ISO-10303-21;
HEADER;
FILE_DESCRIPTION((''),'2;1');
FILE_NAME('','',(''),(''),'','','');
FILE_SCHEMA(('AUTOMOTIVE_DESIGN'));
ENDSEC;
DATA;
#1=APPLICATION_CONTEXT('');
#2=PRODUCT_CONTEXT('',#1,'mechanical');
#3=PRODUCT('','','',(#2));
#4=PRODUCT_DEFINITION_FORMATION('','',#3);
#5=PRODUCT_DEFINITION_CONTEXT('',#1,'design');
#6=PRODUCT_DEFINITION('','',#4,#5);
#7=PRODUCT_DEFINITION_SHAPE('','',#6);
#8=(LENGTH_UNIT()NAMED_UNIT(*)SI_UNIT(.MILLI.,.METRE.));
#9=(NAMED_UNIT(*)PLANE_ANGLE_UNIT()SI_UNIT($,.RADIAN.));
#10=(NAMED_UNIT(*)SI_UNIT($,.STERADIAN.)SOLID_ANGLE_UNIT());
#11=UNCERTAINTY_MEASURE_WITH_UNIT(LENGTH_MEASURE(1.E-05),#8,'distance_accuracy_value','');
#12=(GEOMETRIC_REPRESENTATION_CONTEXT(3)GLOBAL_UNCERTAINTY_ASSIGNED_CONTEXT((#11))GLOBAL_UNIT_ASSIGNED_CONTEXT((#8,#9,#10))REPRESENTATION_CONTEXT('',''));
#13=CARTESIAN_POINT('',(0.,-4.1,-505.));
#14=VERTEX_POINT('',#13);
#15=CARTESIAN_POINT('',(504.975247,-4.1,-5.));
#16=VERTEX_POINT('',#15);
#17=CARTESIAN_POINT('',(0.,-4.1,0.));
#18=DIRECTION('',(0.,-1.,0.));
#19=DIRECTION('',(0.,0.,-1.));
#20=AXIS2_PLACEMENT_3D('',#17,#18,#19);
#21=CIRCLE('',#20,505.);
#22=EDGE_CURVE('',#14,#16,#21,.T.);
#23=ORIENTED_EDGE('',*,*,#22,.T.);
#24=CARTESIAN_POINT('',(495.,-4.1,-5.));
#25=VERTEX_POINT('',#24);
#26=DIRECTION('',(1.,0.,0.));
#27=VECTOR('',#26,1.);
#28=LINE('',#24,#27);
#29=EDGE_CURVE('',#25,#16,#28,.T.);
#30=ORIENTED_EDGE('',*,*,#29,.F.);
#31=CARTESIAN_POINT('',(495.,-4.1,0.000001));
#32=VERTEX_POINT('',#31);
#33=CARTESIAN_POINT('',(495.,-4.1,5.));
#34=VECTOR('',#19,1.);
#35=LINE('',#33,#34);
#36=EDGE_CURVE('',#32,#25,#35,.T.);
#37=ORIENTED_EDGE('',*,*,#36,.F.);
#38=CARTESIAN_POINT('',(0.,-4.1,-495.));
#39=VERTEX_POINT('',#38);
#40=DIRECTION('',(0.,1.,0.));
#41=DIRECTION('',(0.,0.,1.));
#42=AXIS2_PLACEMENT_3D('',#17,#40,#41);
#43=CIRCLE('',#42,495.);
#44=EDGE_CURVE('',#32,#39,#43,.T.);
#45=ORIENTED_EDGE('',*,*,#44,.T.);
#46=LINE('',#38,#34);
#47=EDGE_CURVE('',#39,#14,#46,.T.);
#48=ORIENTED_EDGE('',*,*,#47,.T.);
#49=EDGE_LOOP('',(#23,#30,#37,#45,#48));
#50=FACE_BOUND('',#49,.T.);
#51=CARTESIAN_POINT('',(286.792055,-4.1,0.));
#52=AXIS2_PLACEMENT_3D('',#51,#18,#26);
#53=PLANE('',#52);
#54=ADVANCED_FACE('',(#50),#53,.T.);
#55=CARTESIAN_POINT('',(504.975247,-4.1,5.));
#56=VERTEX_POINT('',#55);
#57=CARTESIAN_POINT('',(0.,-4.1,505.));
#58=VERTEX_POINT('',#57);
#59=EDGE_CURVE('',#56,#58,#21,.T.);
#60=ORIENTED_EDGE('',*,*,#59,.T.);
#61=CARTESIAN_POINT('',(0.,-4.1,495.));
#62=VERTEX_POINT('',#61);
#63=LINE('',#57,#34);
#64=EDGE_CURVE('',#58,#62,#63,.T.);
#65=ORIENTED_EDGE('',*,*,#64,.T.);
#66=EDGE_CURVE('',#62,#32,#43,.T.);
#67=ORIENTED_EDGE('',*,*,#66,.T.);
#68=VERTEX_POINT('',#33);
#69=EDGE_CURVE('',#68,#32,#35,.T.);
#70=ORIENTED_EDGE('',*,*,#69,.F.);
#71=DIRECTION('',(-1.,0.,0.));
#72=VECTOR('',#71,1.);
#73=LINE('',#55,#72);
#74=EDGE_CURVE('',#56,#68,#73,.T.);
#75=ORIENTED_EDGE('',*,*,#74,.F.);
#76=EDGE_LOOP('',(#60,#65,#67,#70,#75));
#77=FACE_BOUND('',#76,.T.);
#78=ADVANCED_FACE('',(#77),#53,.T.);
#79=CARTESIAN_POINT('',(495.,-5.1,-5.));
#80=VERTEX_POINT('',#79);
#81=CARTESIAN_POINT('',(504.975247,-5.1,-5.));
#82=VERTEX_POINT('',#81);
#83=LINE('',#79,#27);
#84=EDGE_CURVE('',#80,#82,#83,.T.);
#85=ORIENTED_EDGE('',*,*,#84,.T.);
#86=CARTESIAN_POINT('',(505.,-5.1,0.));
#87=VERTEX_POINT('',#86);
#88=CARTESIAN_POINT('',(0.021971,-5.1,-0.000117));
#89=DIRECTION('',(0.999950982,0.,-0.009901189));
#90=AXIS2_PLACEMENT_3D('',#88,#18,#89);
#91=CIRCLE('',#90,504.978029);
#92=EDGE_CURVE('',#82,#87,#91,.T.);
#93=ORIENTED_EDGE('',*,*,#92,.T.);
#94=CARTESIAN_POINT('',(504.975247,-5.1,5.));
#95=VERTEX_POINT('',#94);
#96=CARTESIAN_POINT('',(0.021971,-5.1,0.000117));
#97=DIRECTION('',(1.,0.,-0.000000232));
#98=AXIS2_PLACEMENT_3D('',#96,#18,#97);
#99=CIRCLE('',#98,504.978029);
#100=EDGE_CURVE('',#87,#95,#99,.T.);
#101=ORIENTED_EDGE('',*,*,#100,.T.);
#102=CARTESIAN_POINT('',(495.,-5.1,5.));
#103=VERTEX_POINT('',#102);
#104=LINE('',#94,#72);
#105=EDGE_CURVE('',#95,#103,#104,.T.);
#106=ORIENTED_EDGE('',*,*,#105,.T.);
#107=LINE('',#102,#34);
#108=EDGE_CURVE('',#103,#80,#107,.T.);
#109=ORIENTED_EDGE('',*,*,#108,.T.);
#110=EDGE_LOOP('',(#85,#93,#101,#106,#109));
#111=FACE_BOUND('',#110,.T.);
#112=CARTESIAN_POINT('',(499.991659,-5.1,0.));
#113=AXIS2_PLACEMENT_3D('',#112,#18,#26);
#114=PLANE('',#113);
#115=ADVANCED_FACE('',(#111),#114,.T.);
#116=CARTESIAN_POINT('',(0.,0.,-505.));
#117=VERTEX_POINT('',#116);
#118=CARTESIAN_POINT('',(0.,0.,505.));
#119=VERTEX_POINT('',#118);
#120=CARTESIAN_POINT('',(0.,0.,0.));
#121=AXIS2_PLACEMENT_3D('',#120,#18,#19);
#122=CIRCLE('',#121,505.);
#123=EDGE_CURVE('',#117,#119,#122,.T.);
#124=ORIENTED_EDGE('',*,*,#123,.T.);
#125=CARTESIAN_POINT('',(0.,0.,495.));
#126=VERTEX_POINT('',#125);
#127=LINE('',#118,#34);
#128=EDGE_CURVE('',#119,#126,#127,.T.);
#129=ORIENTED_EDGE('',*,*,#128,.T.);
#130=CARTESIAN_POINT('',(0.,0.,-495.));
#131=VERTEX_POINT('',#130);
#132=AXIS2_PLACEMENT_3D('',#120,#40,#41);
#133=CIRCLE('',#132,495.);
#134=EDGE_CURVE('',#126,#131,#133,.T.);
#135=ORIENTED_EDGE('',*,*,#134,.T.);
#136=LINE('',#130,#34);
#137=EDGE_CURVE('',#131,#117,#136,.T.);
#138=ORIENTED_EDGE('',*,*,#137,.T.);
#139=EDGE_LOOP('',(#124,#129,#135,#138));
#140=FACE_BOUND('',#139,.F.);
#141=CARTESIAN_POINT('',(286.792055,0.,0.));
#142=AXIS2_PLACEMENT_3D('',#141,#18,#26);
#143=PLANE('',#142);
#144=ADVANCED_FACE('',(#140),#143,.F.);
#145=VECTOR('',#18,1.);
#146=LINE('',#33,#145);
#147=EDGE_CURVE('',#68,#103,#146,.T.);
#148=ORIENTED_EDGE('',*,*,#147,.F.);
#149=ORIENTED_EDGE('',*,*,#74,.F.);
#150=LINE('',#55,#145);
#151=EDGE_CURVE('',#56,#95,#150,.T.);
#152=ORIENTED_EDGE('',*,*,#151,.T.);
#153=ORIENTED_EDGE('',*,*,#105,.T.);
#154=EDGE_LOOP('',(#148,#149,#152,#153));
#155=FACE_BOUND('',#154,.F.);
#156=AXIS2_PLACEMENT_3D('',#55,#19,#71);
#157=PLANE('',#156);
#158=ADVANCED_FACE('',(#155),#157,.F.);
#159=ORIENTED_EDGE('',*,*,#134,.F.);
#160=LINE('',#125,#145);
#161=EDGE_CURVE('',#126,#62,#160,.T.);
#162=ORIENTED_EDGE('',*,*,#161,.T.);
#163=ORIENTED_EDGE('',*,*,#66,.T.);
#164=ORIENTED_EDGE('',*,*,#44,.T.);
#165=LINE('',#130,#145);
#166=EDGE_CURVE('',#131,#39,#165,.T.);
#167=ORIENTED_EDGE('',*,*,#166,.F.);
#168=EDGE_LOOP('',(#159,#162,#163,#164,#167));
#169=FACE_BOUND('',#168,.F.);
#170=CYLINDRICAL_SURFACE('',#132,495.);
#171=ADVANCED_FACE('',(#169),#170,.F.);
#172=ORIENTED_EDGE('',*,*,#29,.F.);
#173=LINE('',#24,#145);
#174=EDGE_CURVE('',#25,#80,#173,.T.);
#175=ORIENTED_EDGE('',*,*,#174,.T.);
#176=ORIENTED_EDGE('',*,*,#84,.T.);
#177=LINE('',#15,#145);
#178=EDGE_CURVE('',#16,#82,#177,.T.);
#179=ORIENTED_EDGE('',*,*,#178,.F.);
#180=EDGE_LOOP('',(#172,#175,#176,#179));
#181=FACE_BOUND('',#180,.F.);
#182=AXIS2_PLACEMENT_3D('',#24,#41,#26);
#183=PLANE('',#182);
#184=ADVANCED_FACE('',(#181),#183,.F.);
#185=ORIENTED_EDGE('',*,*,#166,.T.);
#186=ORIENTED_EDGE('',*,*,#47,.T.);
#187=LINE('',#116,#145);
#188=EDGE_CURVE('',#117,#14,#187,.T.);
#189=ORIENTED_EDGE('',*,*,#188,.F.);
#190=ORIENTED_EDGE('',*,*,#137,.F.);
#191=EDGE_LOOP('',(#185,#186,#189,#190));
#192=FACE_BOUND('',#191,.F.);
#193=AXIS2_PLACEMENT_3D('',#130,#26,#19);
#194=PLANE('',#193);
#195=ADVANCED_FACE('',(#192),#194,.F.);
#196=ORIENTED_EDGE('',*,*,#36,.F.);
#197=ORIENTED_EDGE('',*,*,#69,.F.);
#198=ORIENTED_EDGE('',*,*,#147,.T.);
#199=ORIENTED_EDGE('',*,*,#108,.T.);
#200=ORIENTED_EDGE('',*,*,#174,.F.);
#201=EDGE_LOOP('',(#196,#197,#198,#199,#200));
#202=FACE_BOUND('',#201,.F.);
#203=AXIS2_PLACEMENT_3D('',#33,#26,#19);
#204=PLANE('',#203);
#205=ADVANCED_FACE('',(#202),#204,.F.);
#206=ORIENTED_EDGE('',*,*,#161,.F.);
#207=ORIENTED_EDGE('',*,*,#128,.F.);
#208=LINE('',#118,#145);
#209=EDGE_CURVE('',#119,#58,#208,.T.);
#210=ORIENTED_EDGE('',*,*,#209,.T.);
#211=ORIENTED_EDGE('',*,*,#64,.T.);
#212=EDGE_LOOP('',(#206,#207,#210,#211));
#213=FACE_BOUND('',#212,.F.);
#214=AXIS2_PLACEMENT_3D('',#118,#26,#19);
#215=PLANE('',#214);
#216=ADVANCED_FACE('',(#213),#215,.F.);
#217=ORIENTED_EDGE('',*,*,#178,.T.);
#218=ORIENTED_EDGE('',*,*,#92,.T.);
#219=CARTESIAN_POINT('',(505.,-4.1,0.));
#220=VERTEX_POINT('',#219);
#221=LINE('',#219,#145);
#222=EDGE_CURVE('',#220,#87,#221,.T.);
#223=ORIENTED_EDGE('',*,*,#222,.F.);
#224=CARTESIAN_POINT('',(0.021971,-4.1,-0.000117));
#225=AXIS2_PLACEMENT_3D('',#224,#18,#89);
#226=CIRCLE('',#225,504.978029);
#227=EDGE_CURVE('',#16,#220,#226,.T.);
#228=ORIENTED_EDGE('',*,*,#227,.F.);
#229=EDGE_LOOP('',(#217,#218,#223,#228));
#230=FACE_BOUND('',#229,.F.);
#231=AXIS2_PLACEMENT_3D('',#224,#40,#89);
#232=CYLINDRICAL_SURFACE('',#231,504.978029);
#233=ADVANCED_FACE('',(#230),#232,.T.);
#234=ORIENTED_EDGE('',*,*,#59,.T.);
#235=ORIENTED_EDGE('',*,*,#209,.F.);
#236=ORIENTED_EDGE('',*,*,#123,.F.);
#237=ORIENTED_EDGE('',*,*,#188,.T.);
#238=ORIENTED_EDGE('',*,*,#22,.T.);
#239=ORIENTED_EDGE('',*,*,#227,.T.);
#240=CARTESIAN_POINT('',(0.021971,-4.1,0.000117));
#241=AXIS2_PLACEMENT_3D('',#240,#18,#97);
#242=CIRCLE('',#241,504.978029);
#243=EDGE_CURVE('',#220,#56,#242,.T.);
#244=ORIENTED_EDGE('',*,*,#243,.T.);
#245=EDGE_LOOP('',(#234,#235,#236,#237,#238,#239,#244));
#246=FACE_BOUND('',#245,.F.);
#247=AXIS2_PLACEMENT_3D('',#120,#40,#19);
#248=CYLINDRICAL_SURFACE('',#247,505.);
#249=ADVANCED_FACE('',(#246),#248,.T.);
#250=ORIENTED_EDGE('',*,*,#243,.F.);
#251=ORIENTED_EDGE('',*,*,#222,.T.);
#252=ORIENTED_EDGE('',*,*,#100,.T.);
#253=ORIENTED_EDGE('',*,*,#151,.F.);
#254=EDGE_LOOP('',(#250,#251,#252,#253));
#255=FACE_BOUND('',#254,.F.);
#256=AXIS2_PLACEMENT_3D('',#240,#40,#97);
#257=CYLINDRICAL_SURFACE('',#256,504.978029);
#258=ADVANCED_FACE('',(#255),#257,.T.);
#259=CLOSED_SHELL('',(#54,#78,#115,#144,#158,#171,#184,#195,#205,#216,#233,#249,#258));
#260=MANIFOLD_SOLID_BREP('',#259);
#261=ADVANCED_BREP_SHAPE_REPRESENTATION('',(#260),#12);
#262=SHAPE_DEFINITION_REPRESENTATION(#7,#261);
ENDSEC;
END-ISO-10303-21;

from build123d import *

# Parameters (mm, degrees)
F1_DEPTH = 4.1
F3_DEPTH = 1


with BuildPart() as f1:
    # F0 (on Front) → F1 (new body)
    with BuildSketch(Plane.XZ):
        with BuildLine():
            ThreePointArc((0, 495), (495, 0), (0, -495))
            Line((0, -495), (0, -505))
            ThreePointArc((0, -505), (505, 0), (0, 505))
            Line((0, 505), (0, 495))
        make_face()
    extrude(amount=F1_DEPTH)

    # F2 (on face) → F3 (join)
    with BuildSketch(Plane.XZ.offset(4.1)):
        with BuildLine():
            Line((504.975247, 5), (495, 5))
            Line((495, 5), (495, 0))
            Line((495, 0), (495, -5))
            Line((495, -5), (504.975247, -5))
            ThreePointArc((504.975247, -5), (504.993812, -2.500031), (505, 0))
            ThreePointArc((505, 0), (504.993812, 2.500031), (504.975247, 5))
        make_face()
    extrude(amount=F3_DEPTH)


solid = f1.part
